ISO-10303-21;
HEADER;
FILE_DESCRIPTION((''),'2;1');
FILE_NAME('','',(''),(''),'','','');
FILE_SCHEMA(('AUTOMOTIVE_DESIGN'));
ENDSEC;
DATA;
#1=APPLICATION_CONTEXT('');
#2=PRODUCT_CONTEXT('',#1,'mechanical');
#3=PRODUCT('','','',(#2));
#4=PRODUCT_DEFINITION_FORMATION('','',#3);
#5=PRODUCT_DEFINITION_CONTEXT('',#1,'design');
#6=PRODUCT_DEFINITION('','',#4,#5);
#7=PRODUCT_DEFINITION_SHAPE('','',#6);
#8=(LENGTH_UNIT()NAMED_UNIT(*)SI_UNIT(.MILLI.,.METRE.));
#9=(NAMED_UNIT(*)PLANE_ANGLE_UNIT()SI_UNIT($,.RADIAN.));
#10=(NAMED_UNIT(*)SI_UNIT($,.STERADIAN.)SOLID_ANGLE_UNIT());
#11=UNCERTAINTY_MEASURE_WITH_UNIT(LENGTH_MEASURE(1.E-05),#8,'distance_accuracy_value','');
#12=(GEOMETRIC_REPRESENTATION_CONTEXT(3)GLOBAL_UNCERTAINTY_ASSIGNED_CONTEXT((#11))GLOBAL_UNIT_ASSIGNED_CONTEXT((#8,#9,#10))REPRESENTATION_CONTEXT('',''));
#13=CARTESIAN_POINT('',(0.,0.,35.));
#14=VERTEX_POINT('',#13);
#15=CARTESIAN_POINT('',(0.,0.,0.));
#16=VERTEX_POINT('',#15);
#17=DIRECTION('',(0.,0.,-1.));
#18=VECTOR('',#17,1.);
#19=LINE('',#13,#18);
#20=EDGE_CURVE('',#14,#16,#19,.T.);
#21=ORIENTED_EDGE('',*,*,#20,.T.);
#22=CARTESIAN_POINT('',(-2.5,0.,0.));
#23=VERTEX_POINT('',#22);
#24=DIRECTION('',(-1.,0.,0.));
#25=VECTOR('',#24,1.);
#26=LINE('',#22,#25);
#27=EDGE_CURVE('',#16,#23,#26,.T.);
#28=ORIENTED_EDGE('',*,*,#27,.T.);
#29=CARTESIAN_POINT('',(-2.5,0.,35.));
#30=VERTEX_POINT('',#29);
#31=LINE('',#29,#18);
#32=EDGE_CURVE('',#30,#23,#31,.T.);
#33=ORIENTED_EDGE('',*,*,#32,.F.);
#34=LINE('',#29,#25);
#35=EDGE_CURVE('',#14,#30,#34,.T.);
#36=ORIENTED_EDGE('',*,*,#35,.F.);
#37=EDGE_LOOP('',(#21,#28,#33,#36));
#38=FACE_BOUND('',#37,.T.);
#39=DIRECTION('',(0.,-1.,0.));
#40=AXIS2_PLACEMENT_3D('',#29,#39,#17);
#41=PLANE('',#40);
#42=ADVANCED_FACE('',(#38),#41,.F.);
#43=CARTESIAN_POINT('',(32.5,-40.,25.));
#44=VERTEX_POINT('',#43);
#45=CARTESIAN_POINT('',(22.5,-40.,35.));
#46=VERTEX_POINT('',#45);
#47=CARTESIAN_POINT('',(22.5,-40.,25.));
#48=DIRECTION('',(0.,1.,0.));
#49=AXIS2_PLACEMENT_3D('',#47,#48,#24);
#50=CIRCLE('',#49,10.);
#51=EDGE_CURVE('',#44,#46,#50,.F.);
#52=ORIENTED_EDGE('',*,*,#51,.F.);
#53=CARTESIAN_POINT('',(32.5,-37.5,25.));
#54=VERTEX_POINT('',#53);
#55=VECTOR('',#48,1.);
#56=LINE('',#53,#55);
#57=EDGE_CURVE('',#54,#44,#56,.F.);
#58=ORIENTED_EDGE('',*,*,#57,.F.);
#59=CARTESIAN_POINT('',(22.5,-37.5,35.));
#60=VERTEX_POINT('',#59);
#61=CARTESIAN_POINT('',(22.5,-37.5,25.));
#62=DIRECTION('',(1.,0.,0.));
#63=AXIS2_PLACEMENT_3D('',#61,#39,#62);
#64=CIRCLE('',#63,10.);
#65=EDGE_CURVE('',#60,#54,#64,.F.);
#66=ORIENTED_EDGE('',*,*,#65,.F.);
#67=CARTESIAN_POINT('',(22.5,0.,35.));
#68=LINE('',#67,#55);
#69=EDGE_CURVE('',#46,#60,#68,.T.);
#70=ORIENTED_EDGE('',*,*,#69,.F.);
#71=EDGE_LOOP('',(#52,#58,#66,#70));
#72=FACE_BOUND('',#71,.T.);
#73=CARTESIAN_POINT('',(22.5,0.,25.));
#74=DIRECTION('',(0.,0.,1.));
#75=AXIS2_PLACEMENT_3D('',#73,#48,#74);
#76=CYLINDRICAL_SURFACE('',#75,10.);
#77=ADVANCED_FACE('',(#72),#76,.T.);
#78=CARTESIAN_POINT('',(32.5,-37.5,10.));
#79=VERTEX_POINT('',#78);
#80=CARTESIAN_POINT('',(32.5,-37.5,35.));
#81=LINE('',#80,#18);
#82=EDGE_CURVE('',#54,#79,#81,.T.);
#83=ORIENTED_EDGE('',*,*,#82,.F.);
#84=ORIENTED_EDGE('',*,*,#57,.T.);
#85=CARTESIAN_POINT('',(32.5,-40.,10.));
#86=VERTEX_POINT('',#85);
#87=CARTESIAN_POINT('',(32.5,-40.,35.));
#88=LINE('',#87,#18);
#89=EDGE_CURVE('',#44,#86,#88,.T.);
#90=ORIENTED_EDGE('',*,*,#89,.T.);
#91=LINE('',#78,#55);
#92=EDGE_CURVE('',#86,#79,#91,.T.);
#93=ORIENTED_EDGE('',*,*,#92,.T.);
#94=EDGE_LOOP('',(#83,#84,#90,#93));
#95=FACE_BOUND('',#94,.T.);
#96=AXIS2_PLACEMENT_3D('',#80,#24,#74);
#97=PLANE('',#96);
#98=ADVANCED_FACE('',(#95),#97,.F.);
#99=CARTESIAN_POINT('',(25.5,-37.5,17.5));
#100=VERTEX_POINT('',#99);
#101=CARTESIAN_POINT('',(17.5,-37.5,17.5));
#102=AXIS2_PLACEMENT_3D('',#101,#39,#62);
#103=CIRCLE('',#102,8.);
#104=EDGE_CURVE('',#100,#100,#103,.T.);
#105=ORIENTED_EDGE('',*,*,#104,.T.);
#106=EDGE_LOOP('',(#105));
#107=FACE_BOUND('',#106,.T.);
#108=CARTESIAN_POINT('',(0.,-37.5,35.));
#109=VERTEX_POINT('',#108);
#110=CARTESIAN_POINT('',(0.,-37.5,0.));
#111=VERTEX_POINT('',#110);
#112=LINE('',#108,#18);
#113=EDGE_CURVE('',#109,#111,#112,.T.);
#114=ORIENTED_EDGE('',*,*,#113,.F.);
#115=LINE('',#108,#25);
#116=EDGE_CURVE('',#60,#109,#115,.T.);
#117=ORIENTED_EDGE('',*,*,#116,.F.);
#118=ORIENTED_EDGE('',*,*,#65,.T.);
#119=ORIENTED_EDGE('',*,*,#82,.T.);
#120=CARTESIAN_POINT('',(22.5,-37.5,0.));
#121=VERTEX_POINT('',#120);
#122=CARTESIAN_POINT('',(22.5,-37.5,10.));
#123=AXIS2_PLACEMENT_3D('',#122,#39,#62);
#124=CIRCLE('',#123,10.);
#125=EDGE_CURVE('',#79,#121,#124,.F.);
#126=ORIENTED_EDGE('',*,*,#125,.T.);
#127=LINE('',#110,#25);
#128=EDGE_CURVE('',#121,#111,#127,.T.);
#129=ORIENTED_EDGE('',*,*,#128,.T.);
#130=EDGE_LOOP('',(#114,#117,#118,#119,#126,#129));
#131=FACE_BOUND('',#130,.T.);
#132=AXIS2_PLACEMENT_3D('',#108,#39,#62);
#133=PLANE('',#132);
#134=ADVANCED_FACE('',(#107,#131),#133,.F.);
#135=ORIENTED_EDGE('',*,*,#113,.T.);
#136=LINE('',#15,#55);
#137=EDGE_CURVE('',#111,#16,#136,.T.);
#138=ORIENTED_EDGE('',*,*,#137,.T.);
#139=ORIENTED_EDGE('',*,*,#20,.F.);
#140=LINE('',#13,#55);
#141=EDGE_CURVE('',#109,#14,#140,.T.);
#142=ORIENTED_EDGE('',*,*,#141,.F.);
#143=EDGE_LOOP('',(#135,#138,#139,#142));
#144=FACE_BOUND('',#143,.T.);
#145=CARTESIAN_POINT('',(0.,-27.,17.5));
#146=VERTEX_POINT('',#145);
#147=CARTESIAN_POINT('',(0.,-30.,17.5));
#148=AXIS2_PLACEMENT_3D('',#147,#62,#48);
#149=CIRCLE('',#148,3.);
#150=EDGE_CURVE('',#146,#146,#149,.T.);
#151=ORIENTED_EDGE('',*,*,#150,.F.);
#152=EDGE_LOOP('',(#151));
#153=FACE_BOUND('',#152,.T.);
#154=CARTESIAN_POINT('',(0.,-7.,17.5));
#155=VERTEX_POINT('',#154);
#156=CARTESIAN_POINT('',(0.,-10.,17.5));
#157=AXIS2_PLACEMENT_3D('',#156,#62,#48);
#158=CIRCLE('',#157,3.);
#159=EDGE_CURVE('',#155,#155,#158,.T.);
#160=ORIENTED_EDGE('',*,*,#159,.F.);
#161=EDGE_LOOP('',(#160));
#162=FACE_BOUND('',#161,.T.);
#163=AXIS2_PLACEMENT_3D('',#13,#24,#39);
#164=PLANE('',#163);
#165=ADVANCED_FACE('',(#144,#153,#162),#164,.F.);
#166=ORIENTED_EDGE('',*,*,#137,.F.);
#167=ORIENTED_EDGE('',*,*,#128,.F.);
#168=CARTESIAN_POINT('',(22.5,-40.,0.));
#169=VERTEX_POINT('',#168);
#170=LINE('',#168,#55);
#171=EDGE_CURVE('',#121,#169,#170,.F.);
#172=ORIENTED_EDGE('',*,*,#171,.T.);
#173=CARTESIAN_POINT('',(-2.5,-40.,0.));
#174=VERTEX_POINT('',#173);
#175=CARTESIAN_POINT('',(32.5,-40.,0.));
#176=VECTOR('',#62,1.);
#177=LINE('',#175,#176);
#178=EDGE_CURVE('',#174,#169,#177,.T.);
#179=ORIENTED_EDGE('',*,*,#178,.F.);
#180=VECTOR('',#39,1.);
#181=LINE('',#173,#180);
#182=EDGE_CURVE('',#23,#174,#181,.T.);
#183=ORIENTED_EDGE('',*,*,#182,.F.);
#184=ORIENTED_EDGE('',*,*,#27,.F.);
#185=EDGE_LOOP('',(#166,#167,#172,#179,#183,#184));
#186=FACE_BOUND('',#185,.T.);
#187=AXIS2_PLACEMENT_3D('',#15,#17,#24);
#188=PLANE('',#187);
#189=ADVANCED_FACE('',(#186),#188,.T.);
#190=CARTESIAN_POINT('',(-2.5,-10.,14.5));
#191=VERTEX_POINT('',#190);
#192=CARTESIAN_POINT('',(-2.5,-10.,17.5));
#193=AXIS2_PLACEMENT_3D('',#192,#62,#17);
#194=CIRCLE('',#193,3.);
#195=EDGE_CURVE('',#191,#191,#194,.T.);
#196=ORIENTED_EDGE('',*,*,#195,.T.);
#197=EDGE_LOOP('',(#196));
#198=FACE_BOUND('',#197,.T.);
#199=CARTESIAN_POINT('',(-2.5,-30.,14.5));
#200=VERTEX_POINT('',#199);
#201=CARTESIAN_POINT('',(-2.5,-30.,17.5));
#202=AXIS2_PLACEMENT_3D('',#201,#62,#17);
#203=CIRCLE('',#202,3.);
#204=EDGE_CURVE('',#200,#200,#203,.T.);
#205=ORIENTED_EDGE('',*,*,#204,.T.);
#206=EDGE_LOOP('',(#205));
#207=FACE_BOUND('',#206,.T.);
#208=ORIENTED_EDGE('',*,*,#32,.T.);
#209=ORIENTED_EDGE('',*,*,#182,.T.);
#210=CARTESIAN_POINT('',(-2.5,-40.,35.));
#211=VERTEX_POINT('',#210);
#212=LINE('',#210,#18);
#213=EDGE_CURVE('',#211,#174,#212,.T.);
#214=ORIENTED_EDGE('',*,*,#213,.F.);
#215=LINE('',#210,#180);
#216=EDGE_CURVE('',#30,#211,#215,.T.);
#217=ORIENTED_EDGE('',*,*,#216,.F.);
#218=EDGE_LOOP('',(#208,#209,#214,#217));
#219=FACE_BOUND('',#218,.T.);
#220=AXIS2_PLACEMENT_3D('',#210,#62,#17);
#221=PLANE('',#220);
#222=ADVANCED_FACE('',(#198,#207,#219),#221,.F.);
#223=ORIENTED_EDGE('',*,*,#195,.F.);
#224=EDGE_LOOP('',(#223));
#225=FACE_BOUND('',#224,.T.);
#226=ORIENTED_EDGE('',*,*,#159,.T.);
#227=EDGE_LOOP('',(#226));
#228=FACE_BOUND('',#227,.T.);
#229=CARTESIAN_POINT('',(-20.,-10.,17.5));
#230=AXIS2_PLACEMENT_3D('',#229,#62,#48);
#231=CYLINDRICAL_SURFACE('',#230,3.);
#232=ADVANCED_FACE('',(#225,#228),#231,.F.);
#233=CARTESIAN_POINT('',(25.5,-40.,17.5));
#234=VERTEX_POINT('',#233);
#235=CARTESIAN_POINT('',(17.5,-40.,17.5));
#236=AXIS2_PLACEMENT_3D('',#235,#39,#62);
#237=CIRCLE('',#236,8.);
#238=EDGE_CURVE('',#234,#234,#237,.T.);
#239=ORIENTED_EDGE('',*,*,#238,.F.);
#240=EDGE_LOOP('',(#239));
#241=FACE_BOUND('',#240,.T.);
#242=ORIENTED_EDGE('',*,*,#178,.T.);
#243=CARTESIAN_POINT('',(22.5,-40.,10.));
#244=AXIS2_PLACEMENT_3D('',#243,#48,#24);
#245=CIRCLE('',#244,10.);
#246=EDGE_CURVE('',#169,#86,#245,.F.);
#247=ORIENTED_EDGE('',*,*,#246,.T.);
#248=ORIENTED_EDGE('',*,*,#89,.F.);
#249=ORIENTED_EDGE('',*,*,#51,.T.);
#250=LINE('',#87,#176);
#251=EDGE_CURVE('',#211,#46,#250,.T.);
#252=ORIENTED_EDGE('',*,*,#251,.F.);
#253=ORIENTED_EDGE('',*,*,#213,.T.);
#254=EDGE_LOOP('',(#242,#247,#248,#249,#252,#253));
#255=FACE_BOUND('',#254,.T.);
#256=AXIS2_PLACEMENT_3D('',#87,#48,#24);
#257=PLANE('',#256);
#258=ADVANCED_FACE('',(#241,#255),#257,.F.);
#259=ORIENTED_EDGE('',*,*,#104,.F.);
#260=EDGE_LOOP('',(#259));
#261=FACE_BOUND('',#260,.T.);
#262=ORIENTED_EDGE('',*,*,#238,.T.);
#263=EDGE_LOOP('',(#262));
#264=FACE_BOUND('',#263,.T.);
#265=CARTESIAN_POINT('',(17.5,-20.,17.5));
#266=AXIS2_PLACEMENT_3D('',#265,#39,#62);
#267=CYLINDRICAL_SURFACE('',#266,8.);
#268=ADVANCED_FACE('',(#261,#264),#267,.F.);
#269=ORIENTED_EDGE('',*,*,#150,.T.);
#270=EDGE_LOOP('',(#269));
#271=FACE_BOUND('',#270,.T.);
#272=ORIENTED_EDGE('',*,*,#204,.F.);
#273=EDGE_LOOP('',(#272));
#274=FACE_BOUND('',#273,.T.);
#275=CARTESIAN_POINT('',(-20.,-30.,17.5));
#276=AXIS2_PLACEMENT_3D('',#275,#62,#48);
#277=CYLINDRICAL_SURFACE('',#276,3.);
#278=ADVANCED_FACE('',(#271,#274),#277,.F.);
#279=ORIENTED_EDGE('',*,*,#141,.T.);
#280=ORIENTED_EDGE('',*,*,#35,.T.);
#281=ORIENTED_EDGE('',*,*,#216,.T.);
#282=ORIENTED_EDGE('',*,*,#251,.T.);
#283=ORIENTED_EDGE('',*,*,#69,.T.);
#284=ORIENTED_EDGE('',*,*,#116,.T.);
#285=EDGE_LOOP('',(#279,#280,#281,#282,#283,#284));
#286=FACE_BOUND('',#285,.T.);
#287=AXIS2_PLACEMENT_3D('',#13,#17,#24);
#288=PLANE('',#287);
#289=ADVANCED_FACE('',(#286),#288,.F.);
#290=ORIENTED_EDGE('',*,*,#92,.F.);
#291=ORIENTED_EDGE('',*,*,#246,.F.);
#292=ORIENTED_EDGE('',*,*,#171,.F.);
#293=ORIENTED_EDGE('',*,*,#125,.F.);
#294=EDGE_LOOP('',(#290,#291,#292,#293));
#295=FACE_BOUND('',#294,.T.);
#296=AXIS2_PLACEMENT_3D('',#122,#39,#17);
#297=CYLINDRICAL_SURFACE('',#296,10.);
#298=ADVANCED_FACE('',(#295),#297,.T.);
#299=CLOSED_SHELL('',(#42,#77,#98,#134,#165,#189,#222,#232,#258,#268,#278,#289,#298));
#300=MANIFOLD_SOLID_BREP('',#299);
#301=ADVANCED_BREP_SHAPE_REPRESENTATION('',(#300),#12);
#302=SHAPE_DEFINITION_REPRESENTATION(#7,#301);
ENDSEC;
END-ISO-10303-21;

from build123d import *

# Parameters (mm, degrees)
BOSS_EXTRU_1_DEPTH      = 35
ESQUISSE2_R             = 8
ENL_V_MAT_EXTRU_1_DEPTH = 20
ESQUISSE3_R             = 3
ENL_V_MAT_EXTRU_2_DEPTH = 20
CONG_1_R                = 10


with BuildPart() as part:
    # Esquisse1 → Boss.-Extru.1 (new body)
    with BuildSketch(Plane.XY):
        Polygon((0, 0), (0, -37.5), (32.5, -37.5), (32.5, -40), (-2.5, -40), (-2.5, 0), align=None)
    extrude(amount=BOSS_EXTRU_1_DEPTH)

    # Esquisse2 → Enlèv. mat.-Extru.1 (cut)
    with BuildSketch(Plane(origin=(0, -40, 0), x_dir=(-1, 0, 0), z_dir=(0, -1, 0))):
        with Locations(Location((-17.5, -17.5, 0), (0, 0, 180))):
            Circle(ESQUISSE2_R)
    extrude(amount=-ENL_V_MAT_EXTRU_1_DEPTH, mode=Mode.SUBTRACT)

    # Esquisse3 → Enlèv. mat.-Extru.2 (cut)
    with BuildSketch(Plane(origin=(0, 0, 0), x_dir=(0, 0, -1), z_dir=(1, 0, 0))):
        with Locations(Location((-17.5, -10, 0), (0, 0, 90))):
            Circle(ESQUISSE3_R)
        with Locations(Location((-17.5, -30, 0), (0, 0, 90))):
            Circle(ESQUISSE3_R)
    extrude(amount=-ENL_V_MAT_EXTRU_2_DEPTH, mode=Mode.SUBTRACT)

    # Congé1
    cong_1_edges = [part.edges().sort_by_distance(p)[0] for p in [
        (32.5, -38.75, 35),
        (32.5, -38.75, 0),
    ]]
    fillet(cong_1_edges, radius=CONG_1_R)


solid = part.part
